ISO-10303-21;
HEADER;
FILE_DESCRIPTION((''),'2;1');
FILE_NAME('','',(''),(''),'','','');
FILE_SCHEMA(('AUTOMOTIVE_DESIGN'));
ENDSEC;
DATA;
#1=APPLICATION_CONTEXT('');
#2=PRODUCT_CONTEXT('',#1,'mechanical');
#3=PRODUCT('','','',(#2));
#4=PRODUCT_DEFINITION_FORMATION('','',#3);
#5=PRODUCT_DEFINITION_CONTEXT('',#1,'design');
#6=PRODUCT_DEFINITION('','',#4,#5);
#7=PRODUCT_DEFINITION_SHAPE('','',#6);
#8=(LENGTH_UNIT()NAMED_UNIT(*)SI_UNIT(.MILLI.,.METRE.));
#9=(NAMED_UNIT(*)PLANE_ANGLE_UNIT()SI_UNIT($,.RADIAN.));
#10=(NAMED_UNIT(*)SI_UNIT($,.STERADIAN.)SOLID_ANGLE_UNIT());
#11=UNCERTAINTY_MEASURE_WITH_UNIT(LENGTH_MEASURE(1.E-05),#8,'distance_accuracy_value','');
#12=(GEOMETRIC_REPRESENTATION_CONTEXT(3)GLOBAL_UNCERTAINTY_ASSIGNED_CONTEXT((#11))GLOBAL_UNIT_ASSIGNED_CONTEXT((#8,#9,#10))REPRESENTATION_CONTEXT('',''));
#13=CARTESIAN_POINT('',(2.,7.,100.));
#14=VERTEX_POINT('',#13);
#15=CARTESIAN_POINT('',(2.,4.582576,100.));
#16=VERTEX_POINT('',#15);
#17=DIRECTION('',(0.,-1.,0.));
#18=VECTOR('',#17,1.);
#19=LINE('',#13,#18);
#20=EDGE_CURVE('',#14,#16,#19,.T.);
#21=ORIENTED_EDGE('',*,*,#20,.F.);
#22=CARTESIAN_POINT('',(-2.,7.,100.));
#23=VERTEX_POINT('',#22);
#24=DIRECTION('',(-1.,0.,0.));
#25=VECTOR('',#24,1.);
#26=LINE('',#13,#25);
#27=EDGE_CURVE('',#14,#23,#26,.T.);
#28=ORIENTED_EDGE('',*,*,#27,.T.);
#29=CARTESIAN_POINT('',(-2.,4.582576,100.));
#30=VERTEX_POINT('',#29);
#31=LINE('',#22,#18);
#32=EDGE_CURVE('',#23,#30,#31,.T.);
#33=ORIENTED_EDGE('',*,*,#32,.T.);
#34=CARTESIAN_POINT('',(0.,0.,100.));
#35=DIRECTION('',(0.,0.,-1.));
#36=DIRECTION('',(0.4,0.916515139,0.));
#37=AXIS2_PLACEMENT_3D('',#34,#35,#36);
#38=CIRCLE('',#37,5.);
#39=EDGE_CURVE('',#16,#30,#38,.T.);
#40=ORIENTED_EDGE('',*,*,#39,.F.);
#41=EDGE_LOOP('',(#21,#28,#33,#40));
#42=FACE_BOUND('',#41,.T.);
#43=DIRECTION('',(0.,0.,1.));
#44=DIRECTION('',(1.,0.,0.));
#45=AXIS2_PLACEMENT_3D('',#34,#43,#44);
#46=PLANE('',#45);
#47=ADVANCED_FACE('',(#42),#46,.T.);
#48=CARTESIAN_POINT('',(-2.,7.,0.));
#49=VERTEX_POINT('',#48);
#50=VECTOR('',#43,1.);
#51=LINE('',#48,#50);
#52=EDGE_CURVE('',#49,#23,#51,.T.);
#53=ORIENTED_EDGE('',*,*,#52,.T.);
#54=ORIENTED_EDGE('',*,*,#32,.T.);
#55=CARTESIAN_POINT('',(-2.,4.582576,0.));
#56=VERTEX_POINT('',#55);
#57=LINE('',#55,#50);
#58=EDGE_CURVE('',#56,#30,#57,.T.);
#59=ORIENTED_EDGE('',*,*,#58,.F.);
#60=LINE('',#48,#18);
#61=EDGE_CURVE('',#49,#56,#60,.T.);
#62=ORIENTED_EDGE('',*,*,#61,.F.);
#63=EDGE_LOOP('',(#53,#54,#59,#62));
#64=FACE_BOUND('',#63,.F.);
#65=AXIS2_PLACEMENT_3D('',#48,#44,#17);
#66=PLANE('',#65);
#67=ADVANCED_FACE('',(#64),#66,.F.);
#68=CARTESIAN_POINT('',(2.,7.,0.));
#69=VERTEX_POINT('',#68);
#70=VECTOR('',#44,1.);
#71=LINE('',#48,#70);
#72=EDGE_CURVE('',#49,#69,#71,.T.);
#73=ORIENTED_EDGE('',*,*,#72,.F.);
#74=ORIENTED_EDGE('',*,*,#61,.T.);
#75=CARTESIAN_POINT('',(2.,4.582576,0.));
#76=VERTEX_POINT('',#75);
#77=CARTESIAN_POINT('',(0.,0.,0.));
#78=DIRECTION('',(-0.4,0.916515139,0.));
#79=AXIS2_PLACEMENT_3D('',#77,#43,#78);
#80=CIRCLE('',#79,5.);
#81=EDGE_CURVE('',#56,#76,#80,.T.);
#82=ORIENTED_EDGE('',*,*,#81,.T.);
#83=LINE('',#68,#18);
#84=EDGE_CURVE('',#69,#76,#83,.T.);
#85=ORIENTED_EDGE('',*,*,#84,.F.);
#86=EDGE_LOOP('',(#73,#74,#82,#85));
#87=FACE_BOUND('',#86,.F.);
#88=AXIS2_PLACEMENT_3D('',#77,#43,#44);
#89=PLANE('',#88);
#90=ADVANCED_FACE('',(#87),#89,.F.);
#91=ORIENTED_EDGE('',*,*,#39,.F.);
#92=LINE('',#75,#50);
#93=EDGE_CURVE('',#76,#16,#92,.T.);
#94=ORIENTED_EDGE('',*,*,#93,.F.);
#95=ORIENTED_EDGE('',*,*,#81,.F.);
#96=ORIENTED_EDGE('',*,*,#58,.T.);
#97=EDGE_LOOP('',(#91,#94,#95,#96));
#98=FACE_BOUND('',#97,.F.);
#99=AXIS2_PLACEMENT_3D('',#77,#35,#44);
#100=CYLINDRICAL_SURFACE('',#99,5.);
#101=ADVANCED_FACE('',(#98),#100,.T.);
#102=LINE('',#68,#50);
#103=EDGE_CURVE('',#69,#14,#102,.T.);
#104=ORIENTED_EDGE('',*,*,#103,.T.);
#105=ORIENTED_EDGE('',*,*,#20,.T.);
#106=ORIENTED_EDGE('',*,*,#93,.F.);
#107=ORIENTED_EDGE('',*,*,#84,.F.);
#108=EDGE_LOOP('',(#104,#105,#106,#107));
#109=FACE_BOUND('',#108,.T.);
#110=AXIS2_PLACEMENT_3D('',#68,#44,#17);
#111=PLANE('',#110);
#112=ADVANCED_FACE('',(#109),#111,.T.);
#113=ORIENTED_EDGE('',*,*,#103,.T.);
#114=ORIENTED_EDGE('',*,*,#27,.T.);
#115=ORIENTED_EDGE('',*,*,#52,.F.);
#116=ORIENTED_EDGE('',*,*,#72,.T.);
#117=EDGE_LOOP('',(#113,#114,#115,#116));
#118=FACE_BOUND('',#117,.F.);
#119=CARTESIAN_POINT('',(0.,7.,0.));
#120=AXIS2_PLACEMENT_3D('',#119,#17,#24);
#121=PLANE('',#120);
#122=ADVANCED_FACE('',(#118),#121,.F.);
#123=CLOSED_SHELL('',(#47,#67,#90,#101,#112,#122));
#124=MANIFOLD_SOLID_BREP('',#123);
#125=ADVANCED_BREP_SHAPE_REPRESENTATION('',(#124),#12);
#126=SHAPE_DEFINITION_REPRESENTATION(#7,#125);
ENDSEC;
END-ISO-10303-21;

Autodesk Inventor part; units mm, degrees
ref_plane "YZ Plane" through (0, 0, 0) normal (1, 0, 0) x (0, 1, 0)
ref_plane "XZ Plane" through (0, 0, 0) normal (0, 1, 0) x (-1, 0, 0)
ref_plane "XY Plane" through (0, 0, 0) normal (0, 0, 1) x (1, 0, 0)
sketch "Sketch1" plane through (0, 0, 0) normal (0, 0, 1) x (1, 0, 0)
  circle A0 centre (0, 0) radius 5
  line L0 (0, 0) -> (0, 7)
  line L1 (0, 7) -> (2, 7)
  line L2 (2, 7) -> (2, 0)
  line L3 (0, 7) -> (-2, 7)
  line L4 (-2, 7) -> (-2, 0)
  point P0 (2, 4.5826)
  point P1 (-2, 4.5826)
  dimension "d0" = 10
  dimension "d1" = 7
  dimension "d2" = 2
  dimension "d3" = 2
extrude "Extrusion1" add sketch "Sketch1" along normal blind 100
